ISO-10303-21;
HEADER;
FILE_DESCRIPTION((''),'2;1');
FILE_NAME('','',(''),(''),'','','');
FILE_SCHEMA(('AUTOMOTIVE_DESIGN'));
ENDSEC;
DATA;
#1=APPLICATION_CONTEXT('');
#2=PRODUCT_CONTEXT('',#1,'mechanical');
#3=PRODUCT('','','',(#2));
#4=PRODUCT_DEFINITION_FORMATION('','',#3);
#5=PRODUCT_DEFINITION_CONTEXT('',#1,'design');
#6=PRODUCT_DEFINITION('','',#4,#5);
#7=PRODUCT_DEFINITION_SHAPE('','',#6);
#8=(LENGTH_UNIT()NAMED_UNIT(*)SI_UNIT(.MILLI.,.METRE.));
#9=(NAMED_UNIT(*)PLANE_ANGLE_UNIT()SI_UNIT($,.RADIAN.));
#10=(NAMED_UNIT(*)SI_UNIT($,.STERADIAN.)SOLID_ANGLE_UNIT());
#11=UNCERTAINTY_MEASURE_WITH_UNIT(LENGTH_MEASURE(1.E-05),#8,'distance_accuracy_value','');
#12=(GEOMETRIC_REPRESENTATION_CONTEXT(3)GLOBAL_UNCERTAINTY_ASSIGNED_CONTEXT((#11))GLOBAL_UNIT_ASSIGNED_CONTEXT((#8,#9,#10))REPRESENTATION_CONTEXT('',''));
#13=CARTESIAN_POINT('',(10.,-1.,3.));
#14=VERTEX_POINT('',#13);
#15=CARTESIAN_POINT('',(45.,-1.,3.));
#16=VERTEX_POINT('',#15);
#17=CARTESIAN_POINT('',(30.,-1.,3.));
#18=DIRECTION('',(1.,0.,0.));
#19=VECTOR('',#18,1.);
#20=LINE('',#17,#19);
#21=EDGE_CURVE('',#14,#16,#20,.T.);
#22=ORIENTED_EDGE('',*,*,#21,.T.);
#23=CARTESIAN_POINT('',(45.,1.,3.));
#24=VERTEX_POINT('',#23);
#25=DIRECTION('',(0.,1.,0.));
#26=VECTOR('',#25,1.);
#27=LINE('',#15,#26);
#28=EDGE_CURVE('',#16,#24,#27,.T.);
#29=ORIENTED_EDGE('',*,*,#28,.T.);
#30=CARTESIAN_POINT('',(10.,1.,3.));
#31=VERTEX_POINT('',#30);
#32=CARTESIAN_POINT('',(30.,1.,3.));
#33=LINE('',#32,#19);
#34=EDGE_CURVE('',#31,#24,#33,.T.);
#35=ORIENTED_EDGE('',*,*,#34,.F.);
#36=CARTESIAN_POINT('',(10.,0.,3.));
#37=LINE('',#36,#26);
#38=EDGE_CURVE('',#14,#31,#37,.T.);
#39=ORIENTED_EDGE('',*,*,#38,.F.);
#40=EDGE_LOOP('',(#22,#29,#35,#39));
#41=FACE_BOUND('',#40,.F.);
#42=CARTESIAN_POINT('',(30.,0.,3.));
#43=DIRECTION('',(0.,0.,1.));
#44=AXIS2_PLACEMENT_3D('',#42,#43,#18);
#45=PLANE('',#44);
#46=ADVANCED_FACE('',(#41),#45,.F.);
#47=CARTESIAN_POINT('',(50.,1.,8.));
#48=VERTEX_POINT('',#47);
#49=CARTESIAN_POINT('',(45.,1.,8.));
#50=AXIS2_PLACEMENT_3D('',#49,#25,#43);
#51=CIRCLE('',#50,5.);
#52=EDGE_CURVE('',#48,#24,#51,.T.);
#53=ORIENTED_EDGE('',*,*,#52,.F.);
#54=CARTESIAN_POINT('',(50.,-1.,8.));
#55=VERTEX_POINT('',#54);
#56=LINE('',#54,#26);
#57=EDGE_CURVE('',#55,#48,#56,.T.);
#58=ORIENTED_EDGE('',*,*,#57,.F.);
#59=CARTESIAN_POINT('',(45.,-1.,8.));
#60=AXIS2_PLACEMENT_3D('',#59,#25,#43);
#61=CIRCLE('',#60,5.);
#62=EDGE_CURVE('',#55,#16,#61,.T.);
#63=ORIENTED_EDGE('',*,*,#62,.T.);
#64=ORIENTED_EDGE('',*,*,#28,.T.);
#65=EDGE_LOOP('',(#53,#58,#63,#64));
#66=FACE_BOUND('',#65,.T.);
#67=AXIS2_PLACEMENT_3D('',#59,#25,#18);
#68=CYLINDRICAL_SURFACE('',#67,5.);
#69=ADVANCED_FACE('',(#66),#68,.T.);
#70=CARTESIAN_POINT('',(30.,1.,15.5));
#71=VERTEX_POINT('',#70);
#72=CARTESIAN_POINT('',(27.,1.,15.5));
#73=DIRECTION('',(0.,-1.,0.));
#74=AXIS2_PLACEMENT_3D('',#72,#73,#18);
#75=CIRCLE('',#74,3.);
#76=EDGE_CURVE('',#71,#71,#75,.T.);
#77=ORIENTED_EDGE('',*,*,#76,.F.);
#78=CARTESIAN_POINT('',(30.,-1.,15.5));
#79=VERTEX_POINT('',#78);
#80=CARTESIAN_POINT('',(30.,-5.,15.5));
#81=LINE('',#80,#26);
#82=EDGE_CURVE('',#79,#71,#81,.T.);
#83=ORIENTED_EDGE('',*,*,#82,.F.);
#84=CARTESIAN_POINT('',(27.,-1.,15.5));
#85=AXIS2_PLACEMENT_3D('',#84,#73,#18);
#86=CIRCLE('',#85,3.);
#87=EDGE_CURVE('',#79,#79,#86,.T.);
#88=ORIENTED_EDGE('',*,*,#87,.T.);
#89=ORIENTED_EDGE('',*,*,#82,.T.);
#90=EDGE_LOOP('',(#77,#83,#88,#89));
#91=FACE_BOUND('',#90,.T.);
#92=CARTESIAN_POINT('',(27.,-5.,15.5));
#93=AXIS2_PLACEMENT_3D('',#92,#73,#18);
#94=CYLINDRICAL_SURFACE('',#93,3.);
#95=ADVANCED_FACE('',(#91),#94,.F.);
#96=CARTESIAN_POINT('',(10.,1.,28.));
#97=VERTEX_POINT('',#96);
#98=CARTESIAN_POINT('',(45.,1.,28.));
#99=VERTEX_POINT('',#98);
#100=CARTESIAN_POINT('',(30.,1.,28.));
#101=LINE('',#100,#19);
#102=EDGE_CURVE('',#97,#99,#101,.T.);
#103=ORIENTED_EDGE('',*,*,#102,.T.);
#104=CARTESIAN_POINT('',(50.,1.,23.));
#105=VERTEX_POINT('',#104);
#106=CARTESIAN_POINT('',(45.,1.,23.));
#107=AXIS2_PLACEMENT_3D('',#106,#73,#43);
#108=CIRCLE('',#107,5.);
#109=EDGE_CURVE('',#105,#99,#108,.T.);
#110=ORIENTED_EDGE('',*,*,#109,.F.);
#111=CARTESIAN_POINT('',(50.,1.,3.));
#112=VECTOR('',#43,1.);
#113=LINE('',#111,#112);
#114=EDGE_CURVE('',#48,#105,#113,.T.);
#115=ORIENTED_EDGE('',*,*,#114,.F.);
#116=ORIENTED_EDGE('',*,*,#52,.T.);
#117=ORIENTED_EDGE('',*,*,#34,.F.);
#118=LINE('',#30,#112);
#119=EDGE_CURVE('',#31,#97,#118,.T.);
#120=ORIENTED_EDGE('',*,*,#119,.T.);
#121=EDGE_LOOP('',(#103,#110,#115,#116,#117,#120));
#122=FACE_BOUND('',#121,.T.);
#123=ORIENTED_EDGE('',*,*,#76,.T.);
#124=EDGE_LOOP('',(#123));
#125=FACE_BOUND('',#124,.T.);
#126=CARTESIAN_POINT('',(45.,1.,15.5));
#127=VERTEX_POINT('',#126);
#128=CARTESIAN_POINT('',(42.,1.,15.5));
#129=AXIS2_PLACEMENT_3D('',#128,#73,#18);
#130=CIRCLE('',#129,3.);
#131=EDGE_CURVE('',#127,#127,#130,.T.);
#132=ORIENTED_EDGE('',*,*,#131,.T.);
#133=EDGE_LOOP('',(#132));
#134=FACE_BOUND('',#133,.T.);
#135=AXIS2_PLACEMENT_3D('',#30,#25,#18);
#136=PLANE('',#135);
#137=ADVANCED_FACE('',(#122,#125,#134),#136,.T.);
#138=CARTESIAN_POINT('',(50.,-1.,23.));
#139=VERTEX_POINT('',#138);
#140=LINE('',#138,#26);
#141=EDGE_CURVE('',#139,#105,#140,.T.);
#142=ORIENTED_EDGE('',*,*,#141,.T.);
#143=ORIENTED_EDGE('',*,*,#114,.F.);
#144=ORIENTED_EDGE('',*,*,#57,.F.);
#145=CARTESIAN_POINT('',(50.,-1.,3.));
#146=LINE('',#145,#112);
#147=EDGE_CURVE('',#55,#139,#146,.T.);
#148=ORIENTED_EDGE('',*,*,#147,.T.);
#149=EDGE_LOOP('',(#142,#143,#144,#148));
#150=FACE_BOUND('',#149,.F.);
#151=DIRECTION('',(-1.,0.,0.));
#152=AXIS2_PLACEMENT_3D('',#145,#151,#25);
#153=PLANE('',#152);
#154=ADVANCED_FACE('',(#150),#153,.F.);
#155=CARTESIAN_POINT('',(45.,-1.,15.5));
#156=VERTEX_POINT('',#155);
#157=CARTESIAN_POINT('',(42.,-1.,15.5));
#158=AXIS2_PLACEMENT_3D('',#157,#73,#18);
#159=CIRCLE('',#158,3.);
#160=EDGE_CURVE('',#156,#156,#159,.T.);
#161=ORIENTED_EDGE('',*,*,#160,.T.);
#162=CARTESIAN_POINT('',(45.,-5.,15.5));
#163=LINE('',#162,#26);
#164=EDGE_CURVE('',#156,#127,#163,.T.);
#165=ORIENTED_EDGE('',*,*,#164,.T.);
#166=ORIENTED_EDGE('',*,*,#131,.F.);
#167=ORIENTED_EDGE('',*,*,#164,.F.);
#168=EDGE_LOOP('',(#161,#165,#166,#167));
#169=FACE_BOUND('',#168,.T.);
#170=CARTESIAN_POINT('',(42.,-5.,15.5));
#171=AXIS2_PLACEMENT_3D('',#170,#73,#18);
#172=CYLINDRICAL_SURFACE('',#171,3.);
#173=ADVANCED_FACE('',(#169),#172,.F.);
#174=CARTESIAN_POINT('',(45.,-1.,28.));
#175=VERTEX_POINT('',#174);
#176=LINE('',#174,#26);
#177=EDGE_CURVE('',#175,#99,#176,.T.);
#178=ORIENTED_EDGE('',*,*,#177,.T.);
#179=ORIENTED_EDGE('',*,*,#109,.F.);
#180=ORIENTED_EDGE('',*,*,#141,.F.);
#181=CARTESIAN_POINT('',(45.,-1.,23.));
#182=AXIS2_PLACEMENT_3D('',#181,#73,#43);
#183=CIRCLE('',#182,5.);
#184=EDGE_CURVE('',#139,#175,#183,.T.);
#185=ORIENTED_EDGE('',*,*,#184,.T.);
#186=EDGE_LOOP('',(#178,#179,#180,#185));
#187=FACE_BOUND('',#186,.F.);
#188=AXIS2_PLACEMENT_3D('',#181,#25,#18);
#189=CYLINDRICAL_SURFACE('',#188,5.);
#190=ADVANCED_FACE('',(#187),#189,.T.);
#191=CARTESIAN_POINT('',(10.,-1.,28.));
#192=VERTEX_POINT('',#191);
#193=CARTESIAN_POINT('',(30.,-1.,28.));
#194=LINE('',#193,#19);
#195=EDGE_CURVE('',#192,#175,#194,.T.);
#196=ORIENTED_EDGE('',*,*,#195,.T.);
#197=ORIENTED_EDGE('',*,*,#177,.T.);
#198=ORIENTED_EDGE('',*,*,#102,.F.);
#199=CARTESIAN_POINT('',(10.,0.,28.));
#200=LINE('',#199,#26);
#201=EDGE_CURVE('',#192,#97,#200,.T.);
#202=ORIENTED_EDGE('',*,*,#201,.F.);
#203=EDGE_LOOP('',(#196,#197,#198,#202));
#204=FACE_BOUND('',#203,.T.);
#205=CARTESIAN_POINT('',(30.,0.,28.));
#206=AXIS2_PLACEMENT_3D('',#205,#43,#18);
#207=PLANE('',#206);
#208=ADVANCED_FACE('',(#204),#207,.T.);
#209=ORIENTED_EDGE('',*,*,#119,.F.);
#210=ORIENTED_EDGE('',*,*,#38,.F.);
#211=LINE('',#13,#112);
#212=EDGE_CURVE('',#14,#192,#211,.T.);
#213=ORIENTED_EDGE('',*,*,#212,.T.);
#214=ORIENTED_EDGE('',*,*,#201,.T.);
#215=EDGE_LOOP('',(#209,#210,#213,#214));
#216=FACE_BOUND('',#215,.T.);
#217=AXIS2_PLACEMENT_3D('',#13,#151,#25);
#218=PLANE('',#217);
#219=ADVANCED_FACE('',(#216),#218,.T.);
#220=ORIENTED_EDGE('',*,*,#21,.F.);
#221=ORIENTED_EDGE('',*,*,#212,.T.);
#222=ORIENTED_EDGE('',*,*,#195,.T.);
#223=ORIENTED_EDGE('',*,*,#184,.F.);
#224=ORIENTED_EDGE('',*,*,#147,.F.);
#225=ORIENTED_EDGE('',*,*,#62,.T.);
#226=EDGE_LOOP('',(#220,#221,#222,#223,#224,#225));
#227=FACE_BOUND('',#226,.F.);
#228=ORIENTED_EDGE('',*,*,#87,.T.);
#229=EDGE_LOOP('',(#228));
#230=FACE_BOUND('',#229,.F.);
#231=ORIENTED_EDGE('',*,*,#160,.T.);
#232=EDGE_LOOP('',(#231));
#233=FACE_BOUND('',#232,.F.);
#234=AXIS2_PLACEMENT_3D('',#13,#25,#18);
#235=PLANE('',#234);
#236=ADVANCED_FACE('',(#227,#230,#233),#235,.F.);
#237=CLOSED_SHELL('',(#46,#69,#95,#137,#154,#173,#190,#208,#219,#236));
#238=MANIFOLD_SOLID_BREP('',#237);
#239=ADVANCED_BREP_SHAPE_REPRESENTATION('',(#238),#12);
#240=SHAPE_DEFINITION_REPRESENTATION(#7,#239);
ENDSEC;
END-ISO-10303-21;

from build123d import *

# Parameters (mm, degrees)
CYLINDER001_R     = 3
CYLINDER001_DEPTH = 10
CYLINDER002_R     = 3
CYLINDER002_DEPTH = 10
BOX_W             = 40
BOX_H             = 2
BOX_DEPTH         = 25
FILLET_R          = 5


with BuildPart() as cylinder001:
    # Cylinder001 → Cylinder001 (new body)
    with BuildSketch(Plane(origin=(32, -5, 12.5), x_dir=(1, 0, 0), z_dir=(0, 1, 0))):
        Circle(CYLINDER001_R)
    extrude(amount=CYLINDER001_DEPTH)


with BuildPart() as compound:
    # Cylinder002 → Cylinder002 (new body)
    with BuildSketch(Plane(origin=(17, -5, 12.5), x_dir=(1, 0, 0), z_dir=(0, 1, 0))):
        Circle(CYLINDER002_R)
    extrude(amount=CYLINDER002_DEPTH)

    # Compound: union Cylinder001
    add(cylinder001.part)


with BuildPart() as cut:
    # Box → Box (new body)
    with BuildSketch(Plane(origin=(0, -1, 0), x_dir=(1, 0, 0), z_dir=(0, 0, 1))):
        with Locations((20, 1)):
            Rectangle(BOX_W, BOX_H)
    extrude(amount=BOX_DEPTH)

    # Fillet
    fillet_edges = [cut.edges().sort_by_distance(p)[0] for p in [
        (40, 0, 25),
        (40, 0, 0),
    ]]
    fillet(fillet_edges, radius=FILLET_R)

    # Cut: cut Compound
    add(compound.part, mode=Mode.SUBTRACT)


with BuildPart() as cut_1:
    # Cut placement: moved
    add(cut.part.moved(Location((10, 0, 3))))


solid = cut_1.part
